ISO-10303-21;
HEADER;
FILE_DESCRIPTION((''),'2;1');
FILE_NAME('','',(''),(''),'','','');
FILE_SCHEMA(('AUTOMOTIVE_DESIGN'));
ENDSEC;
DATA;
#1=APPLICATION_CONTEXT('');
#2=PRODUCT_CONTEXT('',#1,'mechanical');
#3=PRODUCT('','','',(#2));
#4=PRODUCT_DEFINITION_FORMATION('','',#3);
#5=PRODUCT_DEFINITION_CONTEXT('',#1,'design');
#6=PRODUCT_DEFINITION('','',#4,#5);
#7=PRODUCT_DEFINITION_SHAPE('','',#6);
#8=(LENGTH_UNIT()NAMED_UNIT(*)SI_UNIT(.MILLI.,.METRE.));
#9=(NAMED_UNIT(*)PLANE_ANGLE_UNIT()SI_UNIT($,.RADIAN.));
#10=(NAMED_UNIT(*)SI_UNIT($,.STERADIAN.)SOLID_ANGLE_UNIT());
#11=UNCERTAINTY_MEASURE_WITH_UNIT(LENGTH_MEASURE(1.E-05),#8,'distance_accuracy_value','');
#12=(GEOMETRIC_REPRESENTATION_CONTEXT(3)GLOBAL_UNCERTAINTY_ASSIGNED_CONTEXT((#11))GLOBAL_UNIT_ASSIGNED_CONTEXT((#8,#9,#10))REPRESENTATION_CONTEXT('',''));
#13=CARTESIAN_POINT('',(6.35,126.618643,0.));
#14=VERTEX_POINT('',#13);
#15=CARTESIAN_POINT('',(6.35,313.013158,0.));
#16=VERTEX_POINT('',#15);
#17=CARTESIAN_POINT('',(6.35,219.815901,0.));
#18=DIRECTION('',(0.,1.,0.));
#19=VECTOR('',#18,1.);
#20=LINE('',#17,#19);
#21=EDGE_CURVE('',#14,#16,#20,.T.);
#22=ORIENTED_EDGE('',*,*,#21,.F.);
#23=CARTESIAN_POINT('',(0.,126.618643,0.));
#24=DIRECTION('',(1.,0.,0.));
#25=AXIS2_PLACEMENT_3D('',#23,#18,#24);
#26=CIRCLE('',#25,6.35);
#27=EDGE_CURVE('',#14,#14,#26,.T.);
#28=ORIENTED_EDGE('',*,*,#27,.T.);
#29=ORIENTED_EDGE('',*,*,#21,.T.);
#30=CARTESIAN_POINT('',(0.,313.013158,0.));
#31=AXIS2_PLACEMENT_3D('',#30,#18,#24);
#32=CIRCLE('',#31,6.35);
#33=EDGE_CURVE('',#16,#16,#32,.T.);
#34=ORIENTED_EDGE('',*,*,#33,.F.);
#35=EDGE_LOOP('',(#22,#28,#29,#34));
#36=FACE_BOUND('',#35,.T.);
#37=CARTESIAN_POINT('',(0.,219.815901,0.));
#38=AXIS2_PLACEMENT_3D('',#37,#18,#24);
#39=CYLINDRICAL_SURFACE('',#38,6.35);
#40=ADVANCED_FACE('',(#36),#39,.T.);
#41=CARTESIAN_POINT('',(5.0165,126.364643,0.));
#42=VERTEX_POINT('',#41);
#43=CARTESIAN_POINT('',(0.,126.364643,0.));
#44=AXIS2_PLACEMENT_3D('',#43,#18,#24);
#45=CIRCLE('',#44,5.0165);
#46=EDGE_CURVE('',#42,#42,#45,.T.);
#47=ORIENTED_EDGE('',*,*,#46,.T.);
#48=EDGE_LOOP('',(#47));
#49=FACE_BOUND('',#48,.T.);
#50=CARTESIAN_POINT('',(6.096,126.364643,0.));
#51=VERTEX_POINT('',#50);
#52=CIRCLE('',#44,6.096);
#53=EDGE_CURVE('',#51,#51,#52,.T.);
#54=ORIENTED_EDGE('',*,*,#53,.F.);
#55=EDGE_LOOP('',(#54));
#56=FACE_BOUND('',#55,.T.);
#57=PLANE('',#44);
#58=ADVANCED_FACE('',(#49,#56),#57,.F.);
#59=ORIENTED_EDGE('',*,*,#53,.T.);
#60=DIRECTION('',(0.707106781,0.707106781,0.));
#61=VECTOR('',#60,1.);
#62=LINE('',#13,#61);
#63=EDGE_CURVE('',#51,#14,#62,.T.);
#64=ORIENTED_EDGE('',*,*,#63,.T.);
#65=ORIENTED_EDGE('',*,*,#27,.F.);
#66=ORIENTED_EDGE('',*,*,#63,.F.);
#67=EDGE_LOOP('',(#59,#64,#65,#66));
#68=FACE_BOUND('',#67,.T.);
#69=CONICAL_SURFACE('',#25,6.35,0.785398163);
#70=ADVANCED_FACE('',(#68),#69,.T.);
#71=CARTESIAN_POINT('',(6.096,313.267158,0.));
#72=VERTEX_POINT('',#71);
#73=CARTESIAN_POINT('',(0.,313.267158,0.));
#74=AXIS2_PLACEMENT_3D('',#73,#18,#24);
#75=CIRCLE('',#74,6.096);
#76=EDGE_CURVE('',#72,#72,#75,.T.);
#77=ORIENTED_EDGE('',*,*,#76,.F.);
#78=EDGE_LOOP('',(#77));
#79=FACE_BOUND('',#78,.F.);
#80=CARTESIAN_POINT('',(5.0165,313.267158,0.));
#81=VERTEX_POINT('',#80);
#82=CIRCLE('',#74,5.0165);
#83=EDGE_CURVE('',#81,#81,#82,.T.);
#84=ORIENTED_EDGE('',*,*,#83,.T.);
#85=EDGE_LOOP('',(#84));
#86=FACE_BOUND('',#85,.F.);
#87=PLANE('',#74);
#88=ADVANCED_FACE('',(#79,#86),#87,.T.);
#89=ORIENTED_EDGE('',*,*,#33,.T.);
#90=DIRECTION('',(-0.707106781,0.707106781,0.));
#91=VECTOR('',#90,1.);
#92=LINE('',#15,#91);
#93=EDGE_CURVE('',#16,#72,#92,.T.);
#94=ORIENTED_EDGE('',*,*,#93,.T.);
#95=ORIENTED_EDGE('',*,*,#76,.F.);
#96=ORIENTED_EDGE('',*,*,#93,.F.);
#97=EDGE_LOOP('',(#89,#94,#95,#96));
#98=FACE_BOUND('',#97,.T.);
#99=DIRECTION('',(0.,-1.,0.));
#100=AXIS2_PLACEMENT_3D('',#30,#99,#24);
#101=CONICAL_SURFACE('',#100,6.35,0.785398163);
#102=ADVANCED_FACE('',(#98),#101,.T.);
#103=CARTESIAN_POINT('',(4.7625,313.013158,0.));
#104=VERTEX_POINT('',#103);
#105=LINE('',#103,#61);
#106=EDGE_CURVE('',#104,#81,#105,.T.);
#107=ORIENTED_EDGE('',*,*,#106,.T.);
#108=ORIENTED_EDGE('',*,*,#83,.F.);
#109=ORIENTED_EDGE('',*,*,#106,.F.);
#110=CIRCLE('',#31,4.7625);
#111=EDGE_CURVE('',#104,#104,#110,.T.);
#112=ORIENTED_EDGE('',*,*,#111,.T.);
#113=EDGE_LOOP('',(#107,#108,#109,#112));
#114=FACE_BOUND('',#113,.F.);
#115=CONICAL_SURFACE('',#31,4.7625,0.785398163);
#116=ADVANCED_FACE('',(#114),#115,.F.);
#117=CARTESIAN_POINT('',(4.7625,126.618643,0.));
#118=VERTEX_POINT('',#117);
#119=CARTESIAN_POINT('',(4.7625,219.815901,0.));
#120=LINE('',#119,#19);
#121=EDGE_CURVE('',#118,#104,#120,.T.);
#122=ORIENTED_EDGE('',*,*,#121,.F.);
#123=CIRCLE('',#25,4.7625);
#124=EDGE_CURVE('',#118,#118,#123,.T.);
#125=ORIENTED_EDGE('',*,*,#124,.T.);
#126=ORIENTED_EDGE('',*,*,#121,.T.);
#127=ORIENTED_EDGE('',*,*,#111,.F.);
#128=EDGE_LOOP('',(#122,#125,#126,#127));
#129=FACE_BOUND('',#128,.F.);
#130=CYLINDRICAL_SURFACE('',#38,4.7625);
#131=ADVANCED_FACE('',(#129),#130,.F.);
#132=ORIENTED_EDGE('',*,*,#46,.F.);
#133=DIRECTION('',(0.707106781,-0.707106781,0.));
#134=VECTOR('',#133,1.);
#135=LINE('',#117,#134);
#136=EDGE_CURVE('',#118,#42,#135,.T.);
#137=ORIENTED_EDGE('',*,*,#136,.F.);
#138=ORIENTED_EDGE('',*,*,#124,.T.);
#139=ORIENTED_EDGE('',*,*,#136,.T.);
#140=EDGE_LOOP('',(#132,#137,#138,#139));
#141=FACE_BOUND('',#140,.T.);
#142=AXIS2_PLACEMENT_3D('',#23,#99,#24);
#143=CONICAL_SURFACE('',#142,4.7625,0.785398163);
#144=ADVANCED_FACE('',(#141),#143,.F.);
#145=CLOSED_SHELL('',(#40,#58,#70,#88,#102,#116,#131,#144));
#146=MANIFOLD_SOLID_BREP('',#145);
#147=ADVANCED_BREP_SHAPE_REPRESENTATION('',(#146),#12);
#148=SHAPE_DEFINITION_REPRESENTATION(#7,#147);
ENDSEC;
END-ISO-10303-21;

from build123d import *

# Parameters (mm, degrees)
SKETCH1_W     = 1.5875
SKETCH1_H     = 186.902515209
CHAMFER1_SIZE = 0.254


with BuildPart() as part:
    # Sketch1 → Revolve1 (revolve)
    with BuildSketch(Plane.XY):
        with Locations((5.55625, 219.815900685)):
            Rectangle(SKETCH1_W, SKETCH1_H)
    revolve(axis=Axis((0, 116.839643081, 0), (0, 1, 0)))

    # Chamfer1
    chamfer1_edges = [part.edges().sort_by_distance(p)[0] for p in [
        (-6.35, 126.364643081, 0),
        (-6.350000001, 313.26715829, 0),
        (-4.762500001, 313.26715829, 0),
        (-4.7625, 126.364643081, 0),
    ]]
    chamfer(chamfer1_edges, length=CHAMFER1_SIZE)


solid = part.part
